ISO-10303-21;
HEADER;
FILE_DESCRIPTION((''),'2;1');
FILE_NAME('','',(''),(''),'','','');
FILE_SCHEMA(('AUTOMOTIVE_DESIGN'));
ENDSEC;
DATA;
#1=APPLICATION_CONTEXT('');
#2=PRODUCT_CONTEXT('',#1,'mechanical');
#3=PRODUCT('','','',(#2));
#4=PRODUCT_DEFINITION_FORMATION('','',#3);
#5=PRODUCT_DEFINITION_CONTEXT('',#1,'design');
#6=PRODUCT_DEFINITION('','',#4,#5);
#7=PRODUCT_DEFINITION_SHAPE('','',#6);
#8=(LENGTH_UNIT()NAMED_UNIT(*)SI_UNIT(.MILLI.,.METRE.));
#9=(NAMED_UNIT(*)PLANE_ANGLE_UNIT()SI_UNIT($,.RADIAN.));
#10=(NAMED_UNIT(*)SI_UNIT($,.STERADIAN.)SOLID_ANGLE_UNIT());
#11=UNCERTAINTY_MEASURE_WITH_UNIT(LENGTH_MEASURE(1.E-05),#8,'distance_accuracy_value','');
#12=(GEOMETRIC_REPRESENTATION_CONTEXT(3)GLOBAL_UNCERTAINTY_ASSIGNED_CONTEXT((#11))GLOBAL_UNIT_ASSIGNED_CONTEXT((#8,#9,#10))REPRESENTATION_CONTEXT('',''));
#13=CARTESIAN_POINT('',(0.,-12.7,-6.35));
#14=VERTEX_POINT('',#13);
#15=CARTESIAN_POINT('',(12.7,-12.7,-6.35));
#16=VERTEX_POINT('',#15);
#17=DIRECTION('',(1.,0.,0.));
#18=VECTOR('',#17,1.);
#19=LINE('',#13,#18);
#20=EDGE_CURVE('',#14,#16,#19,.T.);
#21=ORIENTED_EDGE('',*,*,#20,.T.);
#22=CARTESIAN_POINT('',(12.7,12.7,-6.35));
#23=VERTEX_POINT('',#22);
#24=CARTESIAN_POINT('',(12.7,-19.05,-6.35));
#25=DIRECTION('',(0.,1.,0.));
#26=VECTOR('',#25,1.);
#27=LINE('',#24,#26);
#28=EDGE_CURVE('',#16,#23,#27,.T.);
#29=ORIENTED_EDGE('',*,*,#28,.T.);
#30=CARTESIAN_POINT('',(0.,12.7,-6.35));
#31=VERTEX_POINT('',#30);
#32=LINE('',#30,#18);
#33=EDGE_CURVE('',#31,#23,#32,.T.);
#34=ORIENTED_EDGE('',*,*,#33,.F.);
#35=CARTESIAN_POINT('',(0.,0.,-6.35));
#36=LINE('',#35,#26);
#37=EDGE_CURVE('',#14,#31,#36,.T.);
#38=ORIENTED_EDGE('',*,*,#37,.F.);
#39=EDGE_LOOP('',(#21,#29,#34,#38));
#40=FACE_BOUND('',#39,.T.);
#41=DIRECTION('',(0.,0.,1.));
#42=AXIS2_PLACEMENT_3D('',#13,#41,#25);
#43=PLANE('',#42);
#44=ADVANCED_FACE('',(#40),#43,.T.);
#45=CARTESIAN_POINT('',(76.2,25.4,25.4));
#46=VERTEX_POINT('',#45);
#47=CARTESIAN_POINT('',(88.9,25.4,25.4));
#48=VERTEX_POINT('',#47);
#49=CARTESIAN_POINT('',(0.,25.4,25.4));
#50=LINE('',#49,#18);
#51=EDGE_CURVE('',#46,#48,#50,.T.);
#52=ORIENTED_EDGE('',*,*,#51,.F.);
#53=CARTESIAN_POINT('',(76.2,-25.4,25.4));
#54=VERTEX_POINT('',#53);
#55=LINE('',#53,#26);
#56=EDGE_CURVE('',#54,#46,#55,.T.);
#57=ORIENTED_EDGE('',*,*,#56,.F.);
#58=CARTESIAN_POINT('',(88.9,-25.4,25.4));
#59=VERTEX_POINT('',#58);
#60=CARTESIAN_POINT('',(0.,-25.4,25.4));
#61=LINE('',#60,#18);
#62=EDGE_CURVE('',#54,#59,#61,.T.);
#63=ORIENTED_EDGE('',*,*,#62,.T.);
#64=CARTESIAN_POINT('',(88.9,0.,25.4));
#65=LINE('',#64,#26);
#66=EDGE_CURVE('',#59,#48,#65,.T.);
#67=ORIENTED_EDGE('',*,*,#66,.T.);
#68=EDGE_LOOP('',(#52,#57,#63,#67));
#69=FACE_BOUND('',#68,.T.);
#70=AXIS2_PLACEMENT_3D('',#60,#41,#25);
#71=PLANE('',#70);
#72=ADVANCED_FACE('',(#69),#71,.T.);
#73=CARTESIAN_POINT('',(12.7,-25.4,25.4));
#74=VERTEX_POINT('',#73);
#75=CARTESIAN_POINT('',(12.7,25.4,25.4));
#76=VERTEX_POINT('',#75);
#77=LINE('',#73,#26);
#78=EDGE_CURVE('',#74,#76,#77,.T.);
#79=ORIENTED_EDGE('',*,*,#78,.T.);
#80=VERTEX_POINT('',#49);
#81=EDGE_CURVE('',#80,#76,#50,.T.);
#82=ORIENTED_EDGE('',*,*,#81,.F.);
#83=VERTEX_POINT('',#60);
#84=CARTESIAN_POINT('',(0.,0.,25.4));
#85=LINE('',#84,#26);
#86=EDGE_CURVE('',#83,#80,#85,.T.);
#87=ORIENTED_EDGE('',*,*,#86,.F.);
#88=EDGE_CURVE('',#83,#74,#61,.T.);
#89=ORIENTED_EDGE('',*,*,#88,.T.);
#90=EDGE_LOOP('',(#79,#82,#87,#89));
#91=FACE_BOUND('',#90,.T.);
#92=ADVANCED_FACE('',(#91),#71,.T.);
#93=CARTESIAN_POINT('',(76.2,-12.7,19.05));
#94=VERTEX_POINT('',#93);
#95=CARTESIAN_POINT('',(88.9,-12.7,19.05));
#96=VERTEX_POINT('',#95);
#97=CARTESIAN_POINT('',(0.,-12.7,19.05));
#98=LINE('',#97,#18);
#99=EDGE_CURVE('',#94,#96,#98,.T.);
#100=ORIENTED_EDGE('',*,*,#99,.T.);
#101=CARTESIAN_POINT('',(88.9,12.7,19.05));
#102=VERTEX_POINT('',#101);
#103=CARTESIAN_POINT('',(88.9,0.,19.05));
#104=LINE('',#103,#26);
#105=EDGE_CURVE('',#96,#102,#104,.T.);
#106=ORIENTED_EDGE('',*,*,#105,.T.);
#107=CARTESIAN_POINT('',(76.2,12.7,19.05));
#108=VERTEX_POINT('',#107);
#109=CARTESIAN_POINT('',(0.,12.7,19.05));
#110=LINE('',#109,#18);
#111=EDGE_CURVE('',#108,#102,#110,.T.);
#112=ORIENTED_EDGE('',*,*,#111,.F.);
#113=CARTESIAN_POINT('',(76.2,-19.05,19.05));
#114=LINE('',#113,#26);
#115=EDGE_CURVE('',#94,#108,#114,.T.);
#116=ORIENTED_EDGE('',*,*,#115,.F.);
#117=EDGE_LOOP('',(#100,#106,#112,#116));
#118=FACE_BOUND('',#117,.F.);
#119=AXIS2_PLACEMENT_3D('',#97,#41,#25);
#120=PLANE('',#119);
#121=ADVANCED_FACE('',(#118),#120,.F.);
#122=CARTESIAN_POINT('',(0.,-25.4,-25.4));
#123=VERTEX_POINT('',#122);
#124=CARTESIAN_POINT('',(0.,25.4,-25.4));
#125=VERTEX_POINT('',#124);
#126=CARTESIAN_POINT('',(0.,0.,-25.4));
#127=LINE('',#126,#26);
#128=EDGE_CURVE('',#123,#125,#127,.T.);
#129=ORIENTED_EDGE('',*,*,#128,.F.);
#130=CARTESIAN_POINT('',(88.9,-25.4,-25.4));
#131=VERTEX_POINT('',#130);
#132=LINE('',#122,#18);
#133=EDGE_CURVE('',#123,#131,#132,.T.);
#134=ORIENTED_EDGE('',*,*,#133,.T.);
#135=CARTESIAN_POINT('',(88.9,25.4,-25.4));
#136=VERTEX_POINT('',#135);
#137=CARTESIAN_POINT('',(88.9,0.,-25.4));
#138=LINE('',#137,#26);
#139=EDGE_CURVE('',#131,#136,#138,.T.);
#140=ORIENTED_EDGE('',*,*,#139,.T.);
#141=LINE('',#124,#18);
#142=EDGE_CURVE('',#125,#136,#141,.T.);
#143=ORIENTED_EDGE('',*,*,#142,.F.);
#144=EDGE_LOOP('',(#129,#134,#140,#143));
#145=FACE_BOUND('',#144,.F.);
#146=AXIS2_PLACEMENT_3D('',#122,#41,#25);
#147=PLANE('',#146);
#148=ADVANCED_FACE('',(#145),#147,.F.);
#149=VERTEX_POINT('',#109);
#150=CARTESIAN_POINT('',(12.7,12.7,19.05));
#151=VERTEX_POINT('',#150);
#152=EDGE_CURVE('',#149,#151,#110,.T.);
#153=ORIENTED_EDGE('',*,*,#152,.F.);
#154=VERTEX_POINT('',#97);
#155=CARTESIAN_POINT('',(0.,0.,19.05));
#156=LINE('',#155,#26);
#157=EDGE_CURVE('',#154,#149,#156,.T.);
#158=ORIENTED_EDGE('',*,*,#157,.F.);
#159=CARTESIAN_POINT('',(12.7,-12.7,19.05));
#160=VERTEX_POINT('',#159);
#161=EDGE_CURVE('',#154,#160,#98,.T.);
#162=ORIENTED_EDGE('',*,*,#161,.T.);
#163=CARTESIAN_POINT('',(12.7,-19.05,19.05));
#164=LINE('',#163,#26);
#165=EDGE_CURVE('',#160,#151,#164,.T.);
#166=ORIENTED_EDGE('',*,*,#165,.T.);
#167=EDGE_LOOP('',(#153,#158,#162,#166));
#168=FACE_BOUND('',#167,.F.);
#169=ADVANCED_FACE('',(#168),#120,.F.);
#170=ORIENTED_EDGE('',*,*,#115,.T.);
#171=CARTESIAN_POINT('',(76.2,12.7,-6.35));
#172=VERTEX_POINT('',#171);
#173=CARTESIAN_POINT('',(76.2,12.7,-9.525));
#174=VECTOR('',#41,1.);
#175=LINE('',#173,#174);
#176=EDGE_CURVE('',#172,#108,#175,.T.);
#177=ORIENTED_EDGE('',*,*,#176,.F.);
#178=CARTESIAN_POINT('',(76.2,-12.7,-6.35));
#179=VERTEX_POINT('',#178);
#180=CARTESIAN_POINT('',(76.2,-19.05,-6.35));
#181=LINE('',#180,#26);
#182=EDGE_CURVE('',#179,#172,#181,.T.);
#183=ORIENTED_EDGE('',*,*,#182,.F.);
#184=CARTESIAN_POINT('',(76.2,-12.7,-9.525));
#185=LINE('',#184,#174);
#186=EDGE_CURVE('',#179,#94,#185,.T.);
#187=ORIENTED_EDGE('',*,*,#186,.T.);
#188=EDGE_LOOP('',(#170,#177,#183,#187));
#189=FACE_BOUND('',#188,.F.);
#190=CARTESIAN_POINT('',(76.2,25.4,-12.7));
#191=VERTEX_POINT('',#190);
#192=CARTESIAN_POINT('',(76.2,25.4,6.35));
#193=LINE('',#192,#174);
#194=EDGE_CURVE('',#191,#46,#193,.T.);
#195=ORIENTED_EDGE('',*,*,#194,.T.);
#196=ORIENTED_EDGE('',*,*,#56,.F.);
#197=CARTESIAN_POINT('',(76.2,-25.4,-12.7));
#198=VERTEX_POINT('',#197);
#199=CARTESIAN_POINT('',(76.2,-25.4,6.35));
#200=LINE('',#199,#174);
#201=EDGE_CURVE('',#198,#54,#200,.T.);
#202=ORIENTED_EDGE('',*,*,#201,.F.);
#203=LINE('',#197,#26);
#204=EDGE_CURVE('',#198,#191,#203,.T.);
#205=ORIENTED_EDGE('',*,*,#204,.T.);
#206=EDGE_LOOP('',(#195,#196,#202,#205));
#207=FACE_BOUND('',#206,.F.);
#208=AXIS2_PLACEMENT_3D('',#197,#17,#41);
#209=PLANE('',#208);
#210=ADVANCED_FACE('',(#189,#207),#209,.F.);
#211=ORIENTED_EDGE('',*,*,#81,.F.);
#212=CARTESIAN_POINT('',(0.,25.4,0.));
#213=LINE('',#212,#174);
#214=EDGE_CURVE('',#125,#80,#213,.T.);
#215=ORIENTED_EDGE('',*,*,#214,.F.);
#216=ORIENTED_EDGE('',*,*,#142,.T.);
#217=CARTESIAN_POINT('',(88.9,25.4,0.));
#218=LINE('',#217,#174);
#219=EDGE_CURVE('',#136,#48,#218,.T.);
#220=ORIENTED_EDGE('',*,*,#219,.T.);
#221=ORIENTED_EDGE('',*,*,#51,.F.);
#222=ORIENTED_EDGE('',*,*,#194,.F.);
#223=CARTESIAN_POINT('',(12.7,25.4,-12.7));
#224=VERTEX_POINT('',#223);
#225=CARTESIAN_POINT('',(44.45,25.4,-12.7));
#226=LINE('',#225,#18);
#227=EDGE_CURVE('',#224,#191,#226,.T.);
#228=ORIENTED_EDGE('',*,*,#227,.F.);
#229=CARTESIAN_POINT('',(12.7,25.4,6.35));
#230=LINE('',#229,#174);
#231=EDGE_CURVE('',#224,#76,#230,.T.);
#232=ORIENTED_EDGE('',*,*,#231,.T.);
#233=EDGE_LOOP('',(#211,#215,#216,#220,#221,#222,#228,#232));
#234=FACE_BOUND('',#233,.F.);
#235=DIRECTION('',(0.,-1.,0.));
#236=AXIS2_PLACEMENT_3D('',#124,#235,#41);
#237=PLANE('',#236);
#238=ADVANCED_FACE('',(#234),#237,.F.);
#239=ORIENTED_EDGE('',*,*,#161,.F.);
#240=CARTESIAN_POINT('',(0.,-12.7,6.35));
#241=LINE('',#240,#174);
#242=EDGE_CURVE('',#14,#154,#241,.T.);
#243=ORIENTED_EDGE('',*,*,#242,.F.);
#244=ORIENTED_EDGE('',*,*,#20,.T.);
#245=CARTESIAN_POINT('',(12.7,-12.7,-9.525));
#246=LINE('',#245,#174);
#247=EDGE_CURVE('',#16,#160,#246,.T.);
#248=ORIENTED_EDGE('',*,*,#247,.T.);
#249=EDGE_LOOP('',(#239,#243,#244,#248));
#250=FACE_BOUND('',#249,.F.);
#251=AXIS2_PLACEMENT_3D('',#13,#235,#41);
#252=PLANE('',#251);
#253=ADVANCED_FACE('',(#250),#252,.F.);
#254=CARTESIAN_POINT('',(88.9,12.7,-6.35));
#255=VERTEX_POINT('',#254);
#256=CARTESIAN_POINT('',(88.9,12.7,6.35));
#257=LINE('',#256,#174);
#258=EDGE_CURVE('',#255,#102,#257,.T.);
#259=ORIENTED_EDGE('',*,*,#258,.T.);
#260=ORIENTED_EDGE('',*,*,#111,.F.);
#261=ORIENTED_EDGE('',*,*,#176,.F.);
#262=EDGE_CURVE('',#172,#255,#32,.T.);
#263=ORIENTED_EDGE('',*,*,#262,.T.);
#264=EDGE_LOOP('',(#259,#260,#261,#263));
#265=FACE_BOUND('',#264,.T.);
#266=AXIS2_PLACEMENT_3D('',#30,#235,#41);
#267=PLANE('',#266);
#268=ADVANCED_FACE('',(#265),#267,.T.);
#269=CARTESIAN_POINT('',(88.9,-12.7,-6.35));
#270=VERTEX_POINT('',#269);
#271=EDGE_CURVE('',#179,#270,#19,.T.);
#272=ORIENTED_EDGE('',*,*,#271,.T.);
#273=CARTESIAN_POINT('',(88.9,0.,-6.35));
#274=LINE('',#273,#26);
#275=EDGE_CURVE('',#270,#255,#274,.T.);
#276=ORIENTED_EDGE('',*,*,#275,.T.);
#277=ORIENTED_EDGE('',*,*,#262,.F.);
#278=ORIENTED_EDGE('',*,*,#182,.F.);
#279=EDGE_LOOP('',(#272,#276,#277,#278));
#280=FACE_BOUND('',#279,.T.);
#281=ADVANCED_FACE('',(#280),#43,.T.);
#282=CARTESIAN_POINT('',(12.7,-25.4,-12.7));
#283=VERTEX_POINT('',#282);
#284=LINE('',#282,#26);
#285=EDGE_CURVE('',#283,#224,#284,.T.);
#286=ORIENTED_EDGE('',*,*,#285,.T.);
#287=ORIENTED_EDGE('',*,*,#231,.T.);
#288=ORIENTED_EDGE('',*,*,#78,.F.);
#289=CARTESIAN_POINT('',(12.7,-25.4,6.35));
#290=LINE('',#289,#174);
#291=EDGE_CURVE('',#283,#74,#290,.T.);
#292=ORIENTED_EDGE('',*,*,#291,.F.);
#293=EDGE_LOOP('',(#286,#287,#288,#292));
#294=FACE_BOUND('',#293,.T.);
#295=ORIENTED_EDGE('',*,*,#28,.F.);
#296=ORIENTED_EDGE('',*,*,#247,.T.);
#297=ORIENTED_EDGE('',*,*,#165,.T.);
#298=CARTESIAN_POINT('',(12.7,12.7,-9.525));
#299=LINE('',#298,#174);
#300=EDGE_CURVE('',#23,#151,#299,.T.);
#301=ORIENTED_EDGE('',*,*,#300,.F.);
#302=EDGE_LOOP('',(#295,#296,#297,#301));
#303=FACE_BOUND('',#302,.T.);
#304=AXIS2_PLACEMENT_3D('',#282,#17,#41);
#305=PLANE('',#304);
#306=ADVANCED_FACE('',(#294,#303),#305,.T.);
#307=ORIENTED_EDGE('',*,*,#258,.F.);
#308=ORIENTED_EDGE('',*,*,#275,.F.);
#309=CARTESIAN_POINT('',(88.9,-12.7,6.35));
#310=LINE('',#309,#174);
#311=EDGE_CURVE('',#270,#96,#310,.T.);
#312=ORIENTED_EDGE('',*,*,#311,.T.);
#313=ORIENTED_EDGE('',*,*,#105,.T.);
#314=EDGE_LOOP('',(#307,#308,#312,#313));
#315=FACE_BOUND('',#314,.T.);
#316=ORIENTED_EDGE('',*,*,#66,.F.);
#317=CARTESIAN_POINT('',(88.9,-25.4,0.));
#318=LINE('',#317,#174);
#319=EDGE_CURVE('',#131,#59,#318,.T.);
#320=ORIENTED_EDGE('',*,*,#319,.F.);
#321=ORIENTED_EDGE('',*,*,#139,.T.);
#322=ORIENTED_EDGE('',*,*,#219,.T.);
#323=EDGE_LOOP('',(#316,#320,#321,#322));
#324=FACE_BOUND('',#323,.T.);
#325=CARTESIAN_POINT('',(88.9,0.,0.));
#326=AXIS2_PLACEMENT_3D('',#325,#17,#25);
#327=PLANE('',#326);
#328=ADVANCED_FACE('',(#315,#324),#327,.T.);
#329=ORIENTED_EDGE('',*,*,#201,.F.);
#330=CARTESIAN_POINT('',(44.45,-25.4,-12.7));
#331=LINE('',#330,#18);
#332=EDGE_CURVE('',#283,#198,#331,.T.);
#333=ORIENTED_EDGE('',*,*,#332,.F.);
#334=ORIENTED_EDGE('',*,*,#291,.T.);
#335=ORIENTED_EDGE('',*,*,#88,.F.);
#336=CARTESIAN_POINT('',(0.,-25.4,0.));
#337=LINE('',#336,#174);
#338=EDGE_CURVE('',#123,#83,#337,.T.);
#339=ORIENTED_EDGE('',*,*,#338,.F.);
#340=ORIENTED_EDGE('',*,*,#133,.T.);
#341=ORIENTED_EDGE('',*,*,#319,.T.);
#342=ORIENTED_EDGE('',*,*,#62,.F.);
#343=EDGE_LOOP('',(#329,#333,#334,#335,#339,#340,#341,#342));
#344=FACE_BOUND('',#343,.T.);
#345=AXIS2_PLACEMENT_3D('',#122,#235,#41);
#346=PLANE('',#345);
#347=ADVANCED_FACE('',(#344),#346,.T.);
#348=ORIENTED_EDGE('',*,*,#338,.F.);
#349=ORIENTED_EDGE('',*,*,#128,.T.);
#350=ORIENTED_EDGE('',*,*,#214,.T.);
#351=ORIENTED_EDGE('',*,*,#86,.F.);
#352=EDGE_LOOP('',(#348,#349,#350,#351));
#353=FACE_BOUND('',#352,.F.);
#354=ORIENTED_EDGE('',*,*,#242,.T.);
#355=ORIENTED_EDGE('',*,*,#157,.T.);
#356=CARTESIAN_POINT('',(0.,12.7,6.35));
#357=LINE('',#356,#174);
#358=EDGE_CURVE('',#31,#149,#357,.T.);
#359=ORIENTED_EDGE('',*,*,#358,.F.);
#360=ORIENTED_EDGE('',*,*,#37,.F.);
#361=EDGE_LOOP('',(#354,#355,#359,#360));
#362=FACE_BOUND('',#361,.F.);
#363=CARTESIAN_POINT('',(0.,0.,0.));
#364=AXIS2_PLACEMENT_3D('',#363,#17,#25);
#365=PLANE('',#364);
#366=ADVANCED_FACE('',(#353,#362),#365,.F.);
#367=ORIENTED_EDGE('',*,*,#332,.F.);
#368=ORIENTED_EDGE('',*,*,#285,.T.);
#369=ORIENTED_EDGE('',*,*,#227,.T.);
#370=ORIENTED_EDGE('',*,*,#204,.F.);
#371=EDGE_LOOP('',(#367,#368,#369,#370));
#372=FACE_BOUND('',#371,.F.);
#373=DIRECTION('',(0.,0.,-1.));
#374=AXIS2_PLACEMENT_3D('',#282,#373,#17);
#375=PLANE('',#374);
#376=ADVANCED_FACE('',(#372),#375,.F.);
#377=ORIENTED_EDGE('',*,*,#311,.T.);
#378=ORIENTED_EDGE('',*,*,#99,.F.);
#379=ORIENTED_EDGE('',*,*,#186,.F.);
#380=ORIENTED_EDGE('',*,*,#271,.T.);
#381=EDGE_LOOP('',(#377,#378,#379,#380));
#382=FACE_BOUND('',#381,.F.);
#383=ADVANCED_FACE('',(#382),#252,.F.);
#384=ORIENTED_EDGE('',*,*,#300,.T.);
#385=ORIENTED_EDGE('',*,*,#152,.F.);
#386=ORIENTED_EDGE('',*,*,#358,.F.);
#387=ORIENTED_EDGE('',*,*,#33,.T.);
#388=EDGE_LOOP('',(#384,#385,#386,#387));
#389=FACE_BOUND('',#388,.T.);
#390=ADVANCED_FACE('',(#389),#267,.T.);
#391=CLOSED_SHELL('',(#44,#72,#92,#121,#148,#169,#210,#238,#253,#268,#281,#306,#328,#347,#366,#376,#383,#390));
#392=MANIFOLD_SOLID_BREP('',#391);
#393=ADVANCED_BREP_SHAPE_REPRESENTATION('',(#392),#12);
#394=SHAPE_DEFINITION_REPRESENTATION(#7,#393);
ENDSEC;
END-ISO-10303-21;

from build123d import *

# Parameters (mm, degrees)
F0_W     = 50.8
F0_H     = 50.8
F0_W_2   = 25.4
F0_H_2   = 25.4
F1_DEPTH = 88.9
F2_W     = 63.5
F2_H     = 38.1
F3_DEPTH = 50.8


with BuildPart() as f1:
    # F0 (on Right) → F1 (new body)
    with BuildSketch(Plane.YZ):
        Rectangle(F0_W, F0_H)
        with Locations((0, 6.35)):
            Rectangle(F0_W_2, F0_H_2, mode=Mode.SUBTRACT)
    extrude(amount=F1_DEPTH)

    # F2 (on face) → F3 (cut)
    with BuildSketch(Plane.XZ.offset(25.4)):
        with Locations((44.45, 6.35)):
            Rectangle(F2_W, F2_H)
    extrude(amount=-F3_DEPTH, mode=Mode.SUBTRACT)


solid = f1.part
